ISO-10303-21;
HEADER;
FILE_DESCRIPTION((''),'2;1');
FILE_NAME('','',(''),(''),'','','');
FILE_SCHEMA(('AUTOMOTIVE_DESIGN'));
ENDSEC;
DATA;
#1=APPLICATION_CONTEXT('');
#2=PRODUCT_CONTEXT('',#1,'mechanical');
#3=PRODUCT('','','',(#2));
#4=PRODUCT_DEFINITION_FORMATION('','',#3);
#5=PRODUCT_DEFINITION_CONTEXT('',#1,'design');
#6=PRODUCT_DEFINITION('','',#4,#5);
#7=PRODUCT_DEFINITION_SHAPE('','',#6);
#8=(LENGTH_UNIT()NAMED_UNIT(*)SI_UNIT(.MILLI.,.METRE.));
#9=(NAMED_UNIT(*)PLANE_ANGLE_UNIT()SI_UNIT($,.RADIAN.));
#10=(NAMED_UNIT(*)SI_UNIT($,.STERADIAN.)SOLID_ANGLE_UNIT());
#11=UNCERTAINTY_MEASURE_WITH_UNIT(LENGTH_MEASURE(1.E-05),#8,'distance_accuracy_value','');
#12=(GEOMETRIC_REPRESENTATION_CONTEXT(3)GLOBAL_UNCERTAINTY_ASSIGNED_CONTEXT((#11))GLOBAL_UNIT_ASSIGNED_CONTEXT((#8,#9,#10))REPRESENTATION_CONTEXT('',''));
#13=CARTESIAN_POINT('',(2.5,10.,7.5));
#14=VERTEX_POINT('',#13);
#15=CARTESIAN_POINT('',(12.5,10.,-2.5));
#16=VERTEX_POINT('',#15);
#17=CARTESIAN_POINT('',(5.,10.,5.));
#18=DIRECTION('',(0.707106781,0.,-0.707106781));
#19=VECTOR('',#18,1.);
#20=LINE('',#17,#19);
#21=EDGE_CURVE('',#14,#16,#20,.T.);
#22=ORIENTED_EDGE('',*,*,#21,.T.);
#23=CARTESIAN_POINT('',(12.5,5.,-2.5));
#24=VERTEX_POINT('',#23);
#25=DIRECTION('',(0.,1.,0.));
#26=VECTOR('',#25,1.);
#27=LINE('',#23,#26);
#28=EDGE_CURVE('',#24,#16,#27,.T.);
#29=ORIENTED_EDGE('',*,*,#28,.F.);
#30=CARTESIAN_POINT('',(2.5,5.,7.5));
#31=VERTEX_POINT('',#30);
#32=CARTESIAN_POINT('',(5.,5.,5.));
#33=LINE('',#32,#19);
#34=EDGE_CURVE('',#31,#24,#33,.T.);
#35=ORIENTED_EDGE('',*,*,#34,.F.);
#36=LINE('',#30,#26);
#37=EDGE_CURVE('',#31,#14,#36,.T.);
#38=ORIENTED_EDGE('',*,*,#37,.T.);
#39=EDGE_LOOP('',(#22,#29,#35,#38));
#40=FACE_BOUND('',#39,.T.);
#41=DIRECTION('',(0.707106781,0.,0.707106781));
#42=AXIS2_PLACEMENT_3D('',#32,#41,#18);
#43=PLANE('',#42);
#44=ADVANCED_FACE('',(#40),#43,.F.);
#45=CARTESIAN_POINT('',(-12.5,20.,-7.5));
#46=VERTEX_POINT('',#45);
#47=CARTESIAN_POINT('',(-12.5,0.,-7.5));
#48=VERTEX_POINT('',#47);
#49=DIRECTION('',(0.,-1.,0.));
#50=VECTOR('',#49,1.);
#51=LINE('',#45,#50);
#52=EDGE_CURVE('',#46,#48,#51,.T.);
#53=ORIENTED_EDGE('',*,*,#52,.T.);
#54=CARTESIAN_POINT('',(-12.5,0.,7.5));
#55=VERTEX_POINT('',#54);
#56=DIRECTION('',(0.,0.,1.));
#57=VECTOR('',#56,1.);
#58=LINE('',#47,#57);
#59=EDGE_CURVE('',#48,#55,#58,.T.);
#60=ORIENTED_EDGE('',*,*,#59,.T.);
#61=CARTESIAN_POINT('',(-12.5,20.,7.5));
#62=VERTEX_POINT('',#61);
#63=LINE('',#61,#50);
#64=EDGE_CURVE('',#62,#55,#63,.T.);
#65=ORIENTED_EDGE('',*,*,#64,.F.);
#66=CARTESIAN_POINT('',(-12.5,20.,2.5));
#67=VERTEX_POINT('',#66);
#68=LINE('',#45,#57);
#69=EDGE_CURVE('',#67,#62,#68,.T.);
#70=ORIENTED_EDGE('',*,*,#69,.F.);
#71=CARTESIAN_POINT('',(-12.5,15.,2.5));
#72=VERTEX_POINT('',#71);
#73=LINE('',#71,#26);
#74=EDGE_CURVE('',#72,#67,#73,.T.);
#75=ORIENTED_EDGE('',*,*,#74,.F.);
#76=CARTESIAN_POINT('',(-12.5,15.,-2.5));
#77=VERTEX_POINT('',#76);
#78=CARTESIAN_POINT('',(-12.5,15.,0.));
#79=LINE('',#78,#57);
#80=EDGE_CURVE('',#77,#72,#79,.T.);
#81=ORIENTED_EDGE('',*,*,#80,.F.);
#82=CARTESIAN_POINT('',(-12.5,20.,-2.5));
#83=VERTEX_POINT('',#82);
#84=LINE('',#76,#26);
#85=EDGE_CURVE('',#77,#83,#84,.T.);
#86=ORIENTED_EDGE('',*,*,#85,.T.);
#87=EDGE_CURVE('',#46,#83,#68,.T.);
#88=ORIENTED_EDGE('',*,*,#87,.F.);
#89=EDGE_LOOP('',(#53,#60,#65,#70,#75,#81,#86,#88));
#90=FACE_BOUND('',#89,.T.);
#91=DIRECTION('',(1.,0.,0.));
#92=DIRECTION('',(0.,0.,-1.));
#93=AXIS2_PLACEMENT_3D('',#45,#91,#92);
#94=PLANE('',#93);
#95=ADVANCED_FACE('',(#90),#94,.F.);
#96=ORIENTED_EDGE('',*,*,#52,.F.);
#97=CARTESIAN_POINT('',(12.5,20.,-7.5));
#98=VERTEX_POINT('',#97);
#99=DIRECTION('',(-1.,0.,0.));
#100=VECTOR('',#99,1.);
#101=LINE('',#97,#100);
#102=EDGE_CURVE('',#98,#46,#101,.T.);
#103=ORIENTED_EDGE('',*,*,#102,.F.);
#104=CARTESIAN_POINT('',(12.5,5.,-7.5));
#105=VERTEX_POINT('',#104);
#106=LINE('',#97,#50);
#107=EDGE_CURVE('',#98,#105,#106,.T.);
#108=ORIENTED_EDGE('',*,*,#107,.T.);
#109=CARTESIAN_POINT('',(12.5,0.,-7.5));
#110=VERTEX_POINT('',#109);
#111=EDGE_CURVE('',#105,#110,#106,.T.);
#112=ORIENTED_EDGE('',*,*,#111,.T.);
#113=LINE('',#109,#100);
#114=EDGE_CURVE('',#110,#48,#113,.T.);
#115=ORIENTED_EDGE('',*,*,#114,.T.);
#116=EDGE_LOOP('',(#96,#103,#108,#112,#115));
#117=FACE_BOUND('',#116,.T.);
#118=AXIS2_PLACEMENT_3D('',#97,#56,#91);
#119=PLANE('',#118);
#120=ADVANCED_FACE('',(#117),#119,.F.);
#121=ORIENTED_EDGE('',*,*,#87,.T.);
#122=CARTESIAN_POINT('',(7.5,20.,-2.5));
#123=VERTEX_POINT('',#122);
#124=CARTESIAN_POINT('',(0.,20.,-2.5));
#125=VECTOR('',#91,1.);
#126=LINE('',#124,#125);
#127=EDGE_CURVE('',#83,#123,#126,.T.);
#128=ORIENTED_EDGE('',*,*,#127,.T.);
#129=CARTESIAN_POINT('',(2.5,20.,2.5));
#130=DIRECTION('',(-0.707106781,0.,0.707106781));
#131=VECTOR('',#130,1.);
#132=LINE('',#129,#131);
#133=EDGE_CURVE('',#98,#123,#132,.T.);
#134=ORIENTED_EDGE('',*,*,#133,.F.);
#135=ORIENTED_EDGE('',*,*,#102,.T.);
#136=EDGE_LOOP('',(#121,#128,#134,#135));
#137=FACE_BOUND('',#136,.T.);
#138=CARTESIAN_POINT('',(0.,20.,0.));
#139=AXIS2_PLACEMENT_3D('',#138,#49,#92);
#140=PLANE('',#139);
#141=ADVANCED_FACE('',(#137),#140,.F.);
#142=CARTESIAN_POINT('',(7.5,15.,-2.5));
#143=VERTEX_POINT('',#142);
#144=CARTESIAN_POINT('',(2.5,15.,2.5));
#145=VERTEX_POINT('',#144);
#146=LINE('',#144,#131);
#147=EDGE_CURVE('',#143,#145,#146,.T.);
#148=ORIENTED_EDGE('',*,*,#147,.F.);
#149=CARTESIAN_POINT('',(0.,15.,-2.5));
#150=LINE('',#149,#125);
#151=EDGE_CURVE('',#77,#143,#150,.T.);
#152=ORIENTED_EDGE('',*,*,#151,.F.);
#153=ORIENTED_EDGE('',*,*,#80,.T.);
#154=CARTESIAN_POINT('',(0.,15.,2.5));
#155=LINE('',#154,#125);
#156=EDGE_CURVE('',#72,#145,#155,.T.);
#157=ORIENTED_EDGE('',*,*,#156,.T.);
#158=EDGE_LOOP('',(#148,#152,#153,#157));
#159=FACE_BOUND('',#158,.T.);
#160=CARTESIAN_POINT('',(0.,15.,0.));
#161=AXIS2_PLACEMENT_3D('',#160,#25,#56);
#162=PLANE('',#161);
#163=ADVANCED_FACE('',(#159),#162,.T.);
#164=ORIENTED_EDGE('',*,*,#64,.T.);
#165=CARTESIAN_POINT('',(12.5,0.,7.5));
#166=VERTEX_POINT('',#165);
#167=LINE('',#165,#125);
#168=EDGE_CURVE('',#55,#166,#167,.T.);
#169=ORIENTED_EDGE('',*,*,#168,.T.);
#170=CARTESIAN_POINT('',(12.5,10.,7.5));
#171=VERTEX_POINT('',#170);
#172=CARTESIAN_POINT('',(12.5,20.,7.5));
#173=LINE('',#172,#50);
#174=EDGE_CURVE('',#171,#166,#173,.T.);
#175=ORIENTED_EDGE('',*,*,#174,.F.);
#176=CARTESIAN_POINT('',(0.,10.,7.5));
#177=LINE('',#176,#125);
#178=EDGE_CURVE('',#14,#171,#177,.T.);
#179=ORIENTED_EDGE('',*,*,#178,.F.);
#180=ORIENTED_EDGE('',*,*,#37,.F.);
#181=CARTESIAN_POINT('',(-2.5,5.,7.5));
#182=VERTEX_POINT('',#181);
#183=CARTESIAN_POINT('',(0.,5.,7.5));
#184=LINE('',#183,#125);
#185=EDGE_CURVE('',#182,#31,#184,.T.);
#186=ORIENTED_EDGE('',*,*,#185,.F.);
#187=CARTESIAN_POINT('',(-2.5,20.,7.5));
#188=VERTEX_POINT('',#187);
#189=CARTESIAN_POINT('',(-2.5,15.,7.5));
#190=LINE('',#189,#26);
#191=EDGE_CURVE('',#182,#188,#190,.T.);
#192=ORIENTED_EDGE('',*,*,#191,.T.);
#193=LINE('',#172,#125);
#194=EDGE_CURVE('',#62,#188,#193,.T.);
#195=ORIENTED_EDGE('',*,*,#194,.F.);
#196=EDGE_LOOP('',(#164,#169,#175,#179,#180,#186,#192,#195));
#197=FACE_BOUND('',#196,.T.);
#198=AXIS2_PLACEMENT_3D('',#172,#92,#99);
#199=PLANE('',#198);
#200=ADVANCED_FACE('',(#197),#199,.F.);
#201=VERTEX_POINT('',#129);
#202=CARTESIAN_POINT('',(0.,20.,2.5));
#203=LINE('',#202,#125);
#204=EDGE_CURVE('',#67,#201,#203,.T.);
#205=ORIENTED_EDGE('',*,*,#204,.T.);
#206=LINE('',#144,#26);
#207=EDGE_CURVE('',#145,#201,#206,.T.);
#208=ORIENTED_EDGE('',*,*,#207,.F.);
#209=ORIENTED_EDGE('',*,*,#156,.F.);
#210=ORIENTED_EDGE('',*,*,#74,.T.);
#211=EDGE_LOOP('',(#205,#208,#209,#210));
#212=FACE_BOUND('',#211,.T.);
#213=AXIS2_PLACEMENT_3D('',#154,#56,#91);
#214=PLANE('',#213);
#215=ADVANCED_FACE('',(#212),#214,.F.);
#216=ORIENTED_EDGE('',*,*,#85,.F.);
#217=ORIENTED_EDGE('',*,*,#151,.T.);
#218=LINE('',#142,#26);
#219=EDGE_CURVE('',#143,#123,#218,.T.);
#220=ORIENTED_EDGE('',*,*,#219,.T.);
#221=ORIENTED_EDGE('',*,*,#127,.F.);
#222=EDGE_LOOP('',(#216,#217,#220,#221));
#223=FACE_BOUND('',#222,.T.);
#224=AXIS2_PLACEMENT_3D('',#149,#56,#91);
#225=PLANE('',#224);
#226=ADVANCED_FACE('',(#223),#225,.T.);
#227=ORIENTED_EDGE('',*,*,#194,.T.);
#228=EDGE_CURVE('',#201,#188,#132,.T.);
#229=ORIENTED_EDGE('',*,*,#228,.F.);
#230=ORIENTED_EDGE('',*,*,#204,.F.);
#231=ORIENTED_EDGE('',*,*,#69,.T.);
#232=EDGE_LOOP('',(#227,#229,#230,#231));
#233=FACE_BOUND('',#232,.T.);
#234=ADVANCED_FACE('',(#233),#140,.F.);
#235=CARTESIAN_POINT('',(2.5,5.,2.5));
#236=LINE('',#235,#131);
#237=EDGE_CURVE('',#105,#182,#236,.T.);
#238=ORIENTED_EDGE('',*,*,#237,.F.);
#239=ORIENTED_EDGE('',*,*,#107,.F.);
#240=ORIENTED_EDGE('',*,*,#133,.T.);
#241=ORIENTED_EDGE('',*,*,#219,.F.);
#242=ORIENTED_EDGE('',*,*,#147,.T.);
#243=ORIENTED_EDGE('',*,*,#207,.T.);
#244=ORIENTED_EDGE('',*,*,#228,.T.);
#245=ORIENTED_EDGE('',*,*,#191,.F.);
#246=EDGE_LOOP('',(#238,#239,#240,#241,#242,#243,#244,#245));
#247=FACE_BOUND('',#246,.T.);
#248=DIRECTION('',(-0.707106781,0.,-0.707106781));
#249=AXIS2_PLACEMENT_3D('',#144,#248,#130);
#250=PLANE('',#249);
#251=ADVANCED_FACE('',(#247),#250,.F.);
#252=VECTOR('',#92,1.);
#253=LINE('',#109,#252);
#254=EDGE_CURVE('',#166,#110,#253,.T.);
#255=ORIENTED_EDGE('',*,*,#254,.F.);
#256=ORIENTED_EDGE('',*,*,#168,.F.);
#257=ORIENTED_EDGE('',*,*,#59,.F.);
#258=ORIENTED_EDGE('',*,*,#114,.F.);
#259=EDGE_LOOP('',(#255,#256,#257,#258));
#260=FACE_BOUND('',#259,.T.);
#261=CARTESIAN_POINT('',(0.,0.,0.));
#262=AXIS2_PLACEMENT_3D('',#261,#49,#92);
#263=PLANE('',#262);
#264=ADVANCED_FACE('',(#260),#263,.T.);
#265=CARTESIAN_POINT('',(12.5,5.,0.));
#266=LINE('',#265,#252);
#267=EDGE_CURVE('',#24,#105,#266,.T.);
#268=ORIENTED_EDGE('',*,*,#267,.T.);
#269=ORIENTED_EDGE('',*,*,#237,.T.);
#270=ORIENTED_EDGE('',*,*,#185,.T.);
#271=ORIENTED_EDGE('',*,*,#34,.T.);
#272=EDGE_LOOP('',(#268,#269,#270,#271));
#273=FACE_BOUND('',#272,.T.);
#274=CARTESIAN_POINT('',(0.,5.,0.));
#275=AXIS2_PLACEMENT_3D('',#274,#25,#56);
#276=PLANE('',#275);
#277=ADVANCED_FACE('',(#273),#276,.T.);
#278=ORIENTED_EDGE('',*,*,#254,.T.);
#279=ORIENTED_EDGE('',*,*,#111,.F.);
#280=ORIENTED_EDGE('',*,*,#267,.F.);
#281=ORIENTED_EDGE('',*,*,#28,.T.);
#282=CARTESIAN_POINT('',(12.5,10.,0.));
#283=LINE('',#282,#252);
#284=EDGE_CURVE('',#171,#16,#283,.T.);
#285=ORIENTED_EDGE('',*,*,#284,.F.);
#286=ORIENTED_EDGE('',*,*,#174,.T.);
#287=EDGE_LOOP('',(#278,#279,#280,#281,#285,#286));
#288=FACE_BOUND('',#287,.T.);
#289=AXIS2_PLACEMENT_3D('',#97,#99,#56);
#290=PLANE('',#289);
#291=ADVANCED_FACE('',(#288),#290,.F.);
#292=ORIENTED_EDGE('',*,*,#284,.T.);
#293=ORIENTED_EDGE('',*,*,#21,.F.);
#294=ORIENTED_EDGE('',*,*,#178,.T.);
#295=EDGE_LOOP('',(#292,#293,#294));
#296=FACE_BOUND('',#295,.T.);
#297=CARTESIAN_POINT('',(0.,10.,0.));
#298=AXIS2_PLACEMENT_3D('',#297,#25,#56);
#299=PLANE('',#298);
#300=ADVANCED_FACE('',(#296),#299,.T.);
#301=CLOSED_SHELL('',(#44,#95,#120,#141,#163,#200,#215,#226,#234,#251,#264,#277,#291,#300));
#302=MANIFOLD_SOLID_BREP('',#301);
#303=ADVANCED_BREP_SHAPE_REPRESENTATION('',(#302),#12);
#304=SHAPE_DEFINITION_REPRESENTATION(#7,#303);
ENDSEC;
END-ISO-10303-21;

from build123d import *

# Parameters (mm, degrees)
SKETCH_1_W          = 25
SKETCH_1_H          = 15
EXTRUDE_1_DEPTH     = 20
CUT_EXTRUDE_1_DEPTH = 5
CUT_EXTRUDE_2_DEPTH = 15
CUT_EXTRUDE_3_DEPTH = 10


with BuildPart() as part:
    # 草圖1 → 填料-伸長1 (new body)
    with BuildSketch(Plane(origin=(0, 0, 0), x_dir=(1, 0, 0), z_dir=(0, 1, 0))):
        Rectangle(SKETCH_1_W, SKETCH_1_H)
    extrude(amount=EXTRUDE_1_DEPTH)

    # 草圖3 → 除料-伸長1 (cut)
    with BuildSketch(Plane(origin=(0, 20, 0), x_dir=(1, 0, 0), z_dir=(0, 1, 0))):
        Polygon((-12.5, 2.5), (-12.5, -2.5), (2.5, -2.5), (-2.5, -7.5), (12.5, -7.5), (12.5, 7.5), (7.5, 2.5), align=None)
    extrude(amount=-CUT_EXTRUDE_1_DEPTH, mode=Mode.SUBTRACT)

    # 草圖3<3> → 除料-伸長2 (cut)
    with BuildSketch(Plane(origin=(0, 20, 0), x_dir=(1, 0, 0), z_dir=(0, 1, 0))):
        Polygon((7.5, 2.5), (2.5, -2.5), (-2.5, -7.5), (2.5, -7.5), (12.5, 2.5), (12.5, 7.5), align=None)
    extrude(amount=-CUT_EXTRUDE_2_DEPTH, mode=Mode.SUBTRACT)

    # 草圖3<4> → 除料-伸長3 (cut)
    with BuildSketch(Plane(origin=(0, 20, 0), x_dir=(1, 0, 0), z_dir=(0, 1, 0))):
        Polygon((12.5, 2.5), (2.5, -7.5), (12.5, -7.5), align=None)
    extrude(amount=-CUT_EXTRUDE_3_DEPTH, mode=Mode.SUBTRACT)


solid = part.part
